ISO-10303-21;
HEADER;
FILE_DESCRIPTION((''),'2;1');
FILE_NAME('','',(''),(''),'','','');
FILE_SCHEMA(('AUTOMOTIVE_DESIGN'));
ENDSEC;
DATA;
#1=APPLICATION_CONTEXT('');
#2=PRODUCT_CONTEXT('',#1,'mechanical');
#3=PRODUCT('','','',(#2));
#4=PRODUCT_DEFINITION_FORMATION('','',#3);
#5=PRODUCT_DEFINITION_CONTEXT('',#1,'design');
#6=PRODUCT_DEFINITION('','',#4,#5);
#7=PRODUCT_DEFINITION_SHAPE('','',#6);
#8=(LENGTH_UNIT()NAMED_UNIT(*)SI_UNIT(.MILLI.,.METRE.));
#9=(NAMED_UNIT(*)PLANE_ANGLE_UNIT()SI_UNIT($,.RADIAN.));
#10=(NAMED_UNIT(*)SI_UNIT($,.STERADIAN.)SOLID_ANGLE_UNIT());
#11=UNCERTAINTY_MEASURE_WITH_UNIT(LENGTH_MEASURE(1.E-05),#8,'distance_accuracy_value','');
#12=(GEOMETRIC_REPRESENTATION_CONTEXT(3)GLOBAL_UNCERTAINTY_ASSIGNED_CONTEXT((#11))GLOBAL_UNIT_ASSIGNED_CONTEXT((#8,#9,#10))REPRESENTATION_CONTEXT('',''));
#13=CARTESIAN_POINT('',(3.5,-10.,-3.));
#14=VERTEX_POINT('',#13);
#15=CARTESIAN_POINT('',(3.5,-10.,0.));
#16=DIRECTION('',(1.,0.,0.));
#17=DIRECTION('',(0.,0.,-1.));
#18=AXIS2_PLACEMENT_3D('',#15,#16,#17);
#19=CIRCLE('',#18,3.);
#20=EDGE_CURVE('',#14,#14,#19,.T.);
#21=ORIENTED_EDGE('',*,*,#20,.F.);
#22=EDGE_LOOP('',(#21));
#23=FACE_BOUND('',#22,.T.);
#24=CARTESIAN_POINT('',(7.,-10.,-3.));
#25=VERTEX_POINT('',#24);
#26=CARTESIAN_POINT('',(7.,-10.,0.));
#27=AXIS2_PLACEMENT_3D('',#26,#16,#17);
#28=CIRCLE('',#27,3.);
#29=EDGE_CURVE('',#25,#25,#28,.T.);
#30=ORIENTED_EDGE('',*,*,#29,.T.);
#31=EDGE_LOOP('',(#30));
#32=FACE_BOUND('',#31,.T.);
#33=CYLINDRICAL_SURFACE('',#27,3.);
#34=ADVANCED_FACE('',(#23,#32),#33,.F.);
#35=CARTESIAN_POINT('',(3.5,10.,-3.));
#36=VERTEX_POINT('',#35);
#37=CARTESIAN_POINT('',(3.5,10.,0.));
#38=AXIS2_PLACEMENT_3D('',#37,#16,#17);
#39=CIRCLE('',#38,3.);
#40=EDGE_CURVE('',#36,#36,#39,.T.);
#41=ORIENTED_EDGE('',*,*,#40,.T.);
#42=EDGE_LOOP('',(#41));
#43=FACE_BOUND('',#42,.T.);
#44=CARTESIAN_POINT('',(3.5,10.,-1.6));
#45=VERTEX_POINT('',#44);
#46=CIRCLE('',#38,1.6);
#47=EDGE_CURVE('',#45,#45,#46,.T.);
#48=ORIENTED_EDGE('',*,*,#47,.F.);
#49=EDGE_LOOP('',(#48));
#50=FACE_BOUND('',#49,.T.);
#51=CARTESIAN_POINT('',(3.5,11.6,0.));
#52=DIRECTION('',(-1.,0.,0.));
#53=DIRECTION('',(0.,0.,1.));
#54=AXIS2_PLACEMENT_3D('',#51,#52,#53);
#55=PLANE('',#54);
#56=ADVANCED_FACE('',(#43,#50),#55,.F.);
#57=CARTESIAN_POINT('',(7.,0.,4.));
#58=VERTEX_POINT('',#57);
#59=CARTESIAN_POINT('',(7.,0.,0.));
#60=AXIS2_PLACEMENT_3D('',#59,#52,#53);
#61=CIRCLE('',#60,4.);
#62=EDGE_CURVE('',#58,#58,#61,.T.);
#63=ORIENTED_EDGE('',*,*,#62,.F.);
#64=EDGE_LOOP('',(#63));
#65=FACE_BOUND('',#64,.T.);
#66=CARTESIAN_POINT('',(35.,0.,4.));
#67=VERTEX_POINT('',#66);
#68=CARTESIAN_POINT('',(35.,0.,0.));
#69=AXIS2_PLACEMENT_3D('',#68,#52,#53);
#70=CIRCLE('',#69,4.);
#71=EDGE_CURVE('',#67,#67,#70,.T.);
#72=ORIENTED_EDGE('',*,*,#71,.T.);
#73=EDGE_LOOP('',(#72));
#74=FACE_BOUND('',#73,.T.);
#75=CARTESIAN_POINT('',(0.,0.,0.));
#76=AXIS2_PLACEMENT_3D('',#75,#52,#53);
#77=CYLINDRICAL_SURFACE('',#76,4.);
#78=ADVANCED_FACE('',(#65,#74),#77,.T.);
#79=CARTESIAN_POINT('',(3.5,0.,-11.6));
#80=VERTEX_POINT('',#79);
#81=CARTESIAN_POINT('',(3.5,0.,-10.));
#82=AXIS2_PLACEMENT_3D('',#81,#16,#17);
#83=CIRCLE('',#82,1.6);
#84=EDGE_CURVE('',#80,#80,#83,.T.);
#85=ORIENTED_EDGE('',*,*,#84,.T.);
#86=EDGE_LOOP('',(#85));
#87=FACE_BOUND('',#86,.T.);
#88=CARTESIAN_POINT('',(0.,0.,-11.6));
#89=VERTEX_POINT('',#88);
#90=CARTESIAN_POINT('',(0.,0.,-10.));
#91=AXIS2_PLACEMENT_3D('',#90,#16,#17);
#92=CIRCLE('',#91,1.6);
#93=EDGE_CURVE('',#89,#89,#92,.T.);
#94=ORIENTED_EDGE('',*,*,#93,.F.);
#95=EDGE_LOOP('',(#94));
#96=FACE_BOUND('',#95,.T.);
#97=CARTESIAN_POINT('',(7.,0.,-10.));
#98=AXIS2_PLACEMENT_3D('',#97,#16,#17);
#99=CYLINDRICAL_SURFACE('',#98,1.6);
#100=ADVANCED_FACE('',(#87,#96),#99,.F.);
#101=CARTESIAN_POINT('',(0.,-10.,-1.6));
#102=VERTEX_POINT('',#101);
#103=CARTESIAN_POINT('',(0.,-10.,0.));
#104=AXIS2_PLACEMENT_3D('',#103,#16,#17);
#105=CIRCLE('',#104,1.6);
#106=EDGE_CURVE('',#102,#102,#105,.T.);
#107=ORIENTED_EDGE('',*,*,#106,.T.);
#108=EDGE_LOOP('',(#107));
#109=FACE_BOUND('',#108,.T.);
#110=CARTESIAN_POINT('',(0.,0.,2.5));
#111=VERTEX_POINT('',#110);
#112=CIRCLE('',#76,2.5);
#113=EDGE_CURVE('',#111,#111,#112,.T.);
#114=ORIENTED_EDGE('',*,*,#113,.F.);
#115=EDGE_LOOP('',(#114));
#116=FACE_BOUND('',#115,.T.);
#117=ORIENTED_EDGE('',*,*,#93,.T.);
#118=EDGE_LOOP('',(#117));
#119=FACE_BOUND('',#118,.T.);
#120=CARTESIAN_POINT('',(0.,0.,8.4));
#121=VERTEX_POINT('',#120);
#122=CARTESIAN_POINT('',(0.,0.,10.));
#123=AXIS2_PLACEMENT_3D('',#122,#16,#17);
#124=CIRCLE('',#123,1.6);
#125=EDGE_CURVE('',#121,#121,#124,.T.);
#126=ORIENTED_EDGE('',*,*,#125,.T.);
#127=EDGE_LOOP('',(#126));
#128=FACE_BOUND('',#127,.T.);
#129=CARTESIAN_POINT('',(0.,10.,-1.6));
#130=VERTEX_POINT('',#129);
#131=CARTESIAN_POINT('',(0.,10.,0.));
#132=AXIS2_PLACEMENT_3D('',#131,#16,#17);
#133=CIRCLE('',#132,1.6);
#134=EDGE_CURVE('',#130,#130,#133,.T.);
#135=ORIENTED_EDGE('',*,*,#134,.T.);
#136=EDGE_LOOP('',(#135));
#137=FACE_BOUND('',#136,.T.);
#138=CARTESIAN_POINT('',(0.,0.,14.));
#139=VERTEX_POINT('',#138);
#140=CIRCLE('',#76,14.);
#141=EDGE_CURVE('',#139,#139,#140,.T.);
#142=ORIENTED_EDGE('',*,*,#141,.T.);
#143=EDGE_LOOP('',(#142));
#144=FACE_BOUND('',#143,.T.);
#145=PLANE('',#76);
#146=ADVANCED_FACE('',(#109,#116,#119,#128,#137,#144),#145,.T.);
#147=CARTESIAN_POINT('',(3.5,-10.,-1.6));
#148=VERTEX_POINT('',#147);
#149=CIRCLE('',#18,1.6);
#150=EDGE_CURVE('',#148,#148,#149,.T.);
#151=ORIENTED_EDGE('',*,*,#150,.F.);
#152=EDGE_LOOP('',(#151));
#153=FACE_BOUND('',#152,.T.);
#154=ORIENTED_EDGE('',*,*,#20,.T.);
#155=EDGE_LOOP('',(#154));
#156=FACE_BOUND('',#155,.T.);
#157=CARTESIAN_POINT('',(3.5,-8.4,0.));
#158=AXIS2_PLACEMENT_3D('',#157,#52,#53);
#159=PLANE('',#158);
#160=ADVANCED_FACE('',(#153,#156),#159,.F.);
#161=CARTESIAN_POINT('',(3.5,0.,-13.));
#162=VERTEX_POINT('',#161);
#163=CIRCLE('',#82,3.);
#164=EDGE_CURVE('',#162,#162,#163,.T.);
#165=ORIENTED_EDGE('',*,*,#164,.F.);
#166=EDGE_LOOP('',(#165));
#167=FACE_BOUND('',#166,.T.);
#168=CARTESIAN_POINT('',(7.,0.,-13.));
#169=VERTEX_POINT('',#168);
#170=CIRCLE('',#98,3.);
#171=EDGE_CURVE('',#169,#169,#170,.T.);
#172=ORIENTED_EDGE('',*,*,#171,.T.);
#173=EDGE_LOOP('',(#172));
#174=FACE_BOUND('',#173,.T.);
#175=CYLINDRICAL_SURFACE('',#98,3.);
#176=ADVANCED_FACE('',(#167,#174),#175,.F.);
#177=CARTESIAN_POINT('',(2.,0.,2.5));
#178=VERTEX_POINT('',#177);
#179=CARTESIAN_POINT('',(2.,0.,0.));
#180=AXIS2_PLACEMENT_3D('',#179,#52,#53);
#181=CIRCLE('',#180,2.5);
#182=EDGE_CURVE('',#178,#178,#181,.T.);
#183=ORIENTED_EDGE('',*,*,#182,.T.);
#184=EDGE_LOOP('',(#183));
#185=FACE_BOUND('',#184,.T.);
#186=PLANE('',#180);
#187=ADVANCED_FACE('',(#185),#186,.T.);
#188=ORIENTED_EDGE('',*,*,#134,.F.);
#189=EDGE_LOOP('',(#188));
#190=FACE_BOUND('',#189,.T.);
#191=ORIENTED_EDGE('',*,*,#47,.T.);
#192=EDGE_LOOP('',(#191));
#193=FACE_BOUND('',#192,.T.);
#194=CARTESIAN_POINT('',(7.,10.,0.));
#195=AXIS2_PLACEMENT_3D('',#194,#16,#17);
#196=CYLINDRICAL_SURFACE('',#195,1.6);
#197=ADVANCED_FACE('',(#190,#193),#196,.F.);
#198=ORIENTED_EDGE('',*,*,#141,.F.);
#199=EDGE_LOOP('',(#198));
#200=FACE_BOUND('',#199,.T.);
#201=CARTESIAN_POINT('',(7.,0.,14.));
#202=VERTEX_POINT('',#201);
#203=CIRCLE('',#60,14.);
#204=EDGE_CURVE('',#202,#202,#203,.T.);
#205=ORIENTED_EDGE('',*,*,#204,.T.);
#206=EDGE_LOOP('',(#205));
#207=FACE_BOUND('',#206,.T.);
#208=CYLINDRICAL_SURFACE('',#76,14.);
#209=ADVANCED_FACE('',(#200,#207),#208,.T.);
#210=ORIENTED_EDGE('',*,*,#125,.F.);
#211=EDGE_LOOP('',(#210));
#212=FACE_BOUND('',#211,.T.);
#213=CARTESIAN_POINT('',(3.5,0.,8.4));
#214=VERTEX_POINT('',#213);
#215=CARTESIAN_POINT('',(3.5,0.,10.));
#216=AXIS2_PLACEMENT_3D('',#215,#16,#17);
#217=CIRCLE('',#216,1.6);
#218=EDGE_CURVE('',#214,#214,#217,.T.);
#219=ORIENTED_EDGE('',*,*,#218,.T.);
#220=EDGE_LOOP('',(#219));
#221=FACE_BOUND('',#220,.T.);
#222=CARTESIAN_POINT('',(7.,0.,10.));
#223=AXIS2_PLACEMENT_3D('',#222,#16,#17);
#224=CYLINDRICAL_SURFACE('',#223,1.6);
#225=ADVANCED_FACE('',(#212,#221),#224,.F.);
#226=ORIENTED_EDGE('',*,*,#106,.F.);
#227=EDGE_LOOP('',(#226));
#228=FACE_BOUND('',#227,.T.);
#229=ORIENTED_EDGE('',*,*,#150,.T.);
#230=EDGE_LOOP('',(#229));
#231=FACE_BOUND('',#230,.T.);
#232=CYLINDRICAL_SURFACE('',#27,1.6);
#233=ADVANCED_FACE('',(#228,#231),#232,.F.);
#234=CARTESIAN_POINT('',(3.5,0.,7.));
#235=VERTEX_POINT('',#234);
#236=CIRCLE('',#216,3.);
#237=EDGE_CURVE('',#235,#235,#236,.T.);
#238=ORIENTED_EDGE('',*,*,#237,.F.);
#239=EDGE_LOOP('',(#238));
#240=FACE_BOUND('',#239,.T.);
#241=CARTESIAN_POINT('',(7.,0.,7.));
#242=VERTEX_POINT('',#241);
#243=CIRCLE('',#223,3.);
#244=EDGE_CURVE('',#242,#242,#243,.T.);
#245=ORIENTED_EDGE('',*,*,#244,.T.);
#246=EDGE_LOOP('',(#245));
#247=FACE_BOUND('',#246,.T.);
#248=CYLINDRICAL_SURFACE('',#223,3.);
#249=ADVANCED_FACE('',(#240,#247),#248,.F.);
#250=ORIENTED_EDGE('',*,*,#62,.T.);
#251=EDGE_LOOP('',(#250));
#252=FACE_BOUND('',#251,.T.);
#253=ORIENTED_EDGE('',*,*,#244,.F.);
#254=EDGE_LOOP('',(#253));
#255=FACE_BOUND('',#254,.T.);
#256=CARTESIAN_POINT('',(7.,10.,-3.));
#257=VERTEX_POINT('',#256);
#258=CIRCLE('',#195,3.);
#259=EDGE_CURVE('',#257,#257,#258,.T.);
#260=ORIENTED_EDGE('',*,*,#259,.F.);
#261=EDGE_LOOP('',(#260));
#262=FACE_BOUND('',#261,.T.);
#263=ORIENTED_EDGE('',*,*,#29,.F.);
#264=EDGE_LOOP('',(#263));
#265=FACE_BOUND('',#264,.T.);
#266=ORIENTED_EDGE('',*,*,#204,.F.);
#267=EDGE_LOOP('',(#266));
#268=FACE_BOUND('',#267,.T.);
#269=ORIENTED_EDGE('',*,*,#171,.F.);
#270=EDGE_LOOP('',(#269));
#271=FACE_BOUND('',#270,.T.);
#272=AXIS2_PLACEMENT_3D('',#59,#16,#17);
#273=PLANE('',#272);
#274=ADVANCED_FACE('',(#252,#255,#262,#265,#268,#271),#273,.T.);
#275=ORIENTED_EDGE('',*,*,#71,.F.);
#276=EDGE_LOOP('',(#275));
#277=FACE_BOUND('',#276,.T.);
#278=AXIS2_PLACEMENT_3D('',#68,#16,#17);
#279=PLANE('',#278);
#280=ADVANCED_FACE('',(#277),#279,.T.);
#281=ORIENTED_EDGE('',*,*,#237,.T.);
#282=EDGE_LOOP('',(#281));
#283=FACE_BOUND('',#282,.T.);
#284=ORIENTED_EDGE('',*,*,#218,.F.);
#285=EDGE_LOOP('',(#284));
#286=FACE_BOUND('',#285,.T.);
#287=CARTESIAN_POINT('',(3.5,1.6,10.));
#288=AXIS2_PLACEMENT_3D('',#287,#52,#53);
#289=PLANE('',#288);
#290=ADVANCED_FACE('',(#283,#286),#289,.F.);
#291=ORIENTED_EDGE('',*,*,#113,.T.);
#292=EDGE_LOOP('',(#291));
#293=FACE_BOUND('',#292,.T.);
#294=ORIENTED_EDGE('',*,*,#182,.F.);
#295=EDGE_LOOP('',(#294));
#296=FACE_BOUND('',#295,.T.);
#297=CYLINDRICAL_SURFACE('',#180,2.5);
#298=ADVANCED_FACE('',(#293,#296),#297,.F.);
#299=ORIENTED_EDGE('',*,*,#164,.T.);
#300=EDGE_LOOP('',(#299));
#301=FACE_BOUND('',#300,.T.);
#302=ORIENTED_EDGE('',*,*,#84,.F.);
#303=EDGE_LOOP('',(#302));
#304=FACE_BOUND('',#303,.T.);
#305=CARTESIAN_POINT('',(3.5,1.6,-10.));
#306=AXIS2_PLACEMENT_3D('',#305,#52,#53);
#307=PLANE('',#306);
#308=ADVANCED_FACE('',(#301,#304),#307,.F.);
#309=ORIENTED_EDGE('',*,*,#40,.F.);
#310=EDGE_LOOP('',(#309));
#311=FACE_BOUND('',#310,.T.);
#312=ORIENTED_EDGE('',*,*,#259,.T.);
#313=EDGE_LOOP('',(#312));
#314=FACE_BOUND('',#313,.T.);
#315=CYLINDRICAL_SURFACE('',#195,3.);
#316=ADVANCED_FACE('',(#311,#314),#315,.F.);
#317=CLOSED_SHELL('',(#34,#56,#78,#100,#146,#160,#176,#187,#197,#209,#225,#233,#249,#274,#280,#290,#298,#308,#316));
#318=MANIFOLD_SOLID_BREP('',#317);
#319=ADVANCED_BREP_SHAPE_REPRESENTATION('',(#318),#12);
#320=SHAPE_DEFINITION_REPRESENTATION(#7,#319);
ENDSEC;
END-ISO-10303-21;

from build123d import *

# Parameters (mm, degrees)
CBORE_FOR_M3_SBHCS1_D           = 3.2
CBORE_FOR_M3_SBHCS1_CBORE_D     = 6
CBORE_FOR_M3_SBHCS1_CBORE_DEPTH = 3.5
CIRPATTERN1_COUNT               = 4
SKETCH5_R                       = 2.5
CUT_EXTRUDE1_DEPTH              = 2


with BuildPart() as part:
    # Sketch2 → Revolve2 (revolve)
    with BuildSketch(Plane.XY, mode=Mode.PRIVATE) as revolve2_sk:
        Polygon((0, 14), (0, 0), (35, 0), (35, 4), (7, 4), (7, 14), align=None)
    revolve(revolve2_sk.sketch.rotate(Axis((0, 0, 0), (1, 0, 0)), 90), axis=Axis((0, 0, 0), (1, 0, 0)))

    # CBORE for M3 SBHCS1 (through all)
    with Locations(Plane(origin=(7, 0, 0), x_dir=(0, 0, -1), z_dir=(1, 0, 0))):
        with Locations((10, 0)):
            cbore_for_m3_sbhcs1 = CounterBoreHole(CBORE_FOR_M3_SBHCS1_D / 2, CBORE_FOR_M3_SBHCS1_CBORE_D / 2, CBORE_FOR_M3_SBHCS1_CBORE_DEPTH)

    # CirPattern1: CBORE for M3 SBHCS1 ×4 about axis
    cirpattern1_axis = Axis((0, 0, 0), (1, 0, 0))
    for i in range(1, CIRPATTERN1_COUNT):
        add(cbore_for_m3_sbhcs1.rotate(cirpattern1_axis, i * 360 / CIRPATTERN1_COUNT), mode=Mode.SUBTRACT)

    # Sketch5 → Cut-Extrude1 (cut)
    with BuildSketch(Plane.ZY):
        Circle(SKETCH5_R)
    extrude(amount=-CUT_EXTRUDE1_DEPTH, mode=Mode.SUBTRACT)


solid = part.part
